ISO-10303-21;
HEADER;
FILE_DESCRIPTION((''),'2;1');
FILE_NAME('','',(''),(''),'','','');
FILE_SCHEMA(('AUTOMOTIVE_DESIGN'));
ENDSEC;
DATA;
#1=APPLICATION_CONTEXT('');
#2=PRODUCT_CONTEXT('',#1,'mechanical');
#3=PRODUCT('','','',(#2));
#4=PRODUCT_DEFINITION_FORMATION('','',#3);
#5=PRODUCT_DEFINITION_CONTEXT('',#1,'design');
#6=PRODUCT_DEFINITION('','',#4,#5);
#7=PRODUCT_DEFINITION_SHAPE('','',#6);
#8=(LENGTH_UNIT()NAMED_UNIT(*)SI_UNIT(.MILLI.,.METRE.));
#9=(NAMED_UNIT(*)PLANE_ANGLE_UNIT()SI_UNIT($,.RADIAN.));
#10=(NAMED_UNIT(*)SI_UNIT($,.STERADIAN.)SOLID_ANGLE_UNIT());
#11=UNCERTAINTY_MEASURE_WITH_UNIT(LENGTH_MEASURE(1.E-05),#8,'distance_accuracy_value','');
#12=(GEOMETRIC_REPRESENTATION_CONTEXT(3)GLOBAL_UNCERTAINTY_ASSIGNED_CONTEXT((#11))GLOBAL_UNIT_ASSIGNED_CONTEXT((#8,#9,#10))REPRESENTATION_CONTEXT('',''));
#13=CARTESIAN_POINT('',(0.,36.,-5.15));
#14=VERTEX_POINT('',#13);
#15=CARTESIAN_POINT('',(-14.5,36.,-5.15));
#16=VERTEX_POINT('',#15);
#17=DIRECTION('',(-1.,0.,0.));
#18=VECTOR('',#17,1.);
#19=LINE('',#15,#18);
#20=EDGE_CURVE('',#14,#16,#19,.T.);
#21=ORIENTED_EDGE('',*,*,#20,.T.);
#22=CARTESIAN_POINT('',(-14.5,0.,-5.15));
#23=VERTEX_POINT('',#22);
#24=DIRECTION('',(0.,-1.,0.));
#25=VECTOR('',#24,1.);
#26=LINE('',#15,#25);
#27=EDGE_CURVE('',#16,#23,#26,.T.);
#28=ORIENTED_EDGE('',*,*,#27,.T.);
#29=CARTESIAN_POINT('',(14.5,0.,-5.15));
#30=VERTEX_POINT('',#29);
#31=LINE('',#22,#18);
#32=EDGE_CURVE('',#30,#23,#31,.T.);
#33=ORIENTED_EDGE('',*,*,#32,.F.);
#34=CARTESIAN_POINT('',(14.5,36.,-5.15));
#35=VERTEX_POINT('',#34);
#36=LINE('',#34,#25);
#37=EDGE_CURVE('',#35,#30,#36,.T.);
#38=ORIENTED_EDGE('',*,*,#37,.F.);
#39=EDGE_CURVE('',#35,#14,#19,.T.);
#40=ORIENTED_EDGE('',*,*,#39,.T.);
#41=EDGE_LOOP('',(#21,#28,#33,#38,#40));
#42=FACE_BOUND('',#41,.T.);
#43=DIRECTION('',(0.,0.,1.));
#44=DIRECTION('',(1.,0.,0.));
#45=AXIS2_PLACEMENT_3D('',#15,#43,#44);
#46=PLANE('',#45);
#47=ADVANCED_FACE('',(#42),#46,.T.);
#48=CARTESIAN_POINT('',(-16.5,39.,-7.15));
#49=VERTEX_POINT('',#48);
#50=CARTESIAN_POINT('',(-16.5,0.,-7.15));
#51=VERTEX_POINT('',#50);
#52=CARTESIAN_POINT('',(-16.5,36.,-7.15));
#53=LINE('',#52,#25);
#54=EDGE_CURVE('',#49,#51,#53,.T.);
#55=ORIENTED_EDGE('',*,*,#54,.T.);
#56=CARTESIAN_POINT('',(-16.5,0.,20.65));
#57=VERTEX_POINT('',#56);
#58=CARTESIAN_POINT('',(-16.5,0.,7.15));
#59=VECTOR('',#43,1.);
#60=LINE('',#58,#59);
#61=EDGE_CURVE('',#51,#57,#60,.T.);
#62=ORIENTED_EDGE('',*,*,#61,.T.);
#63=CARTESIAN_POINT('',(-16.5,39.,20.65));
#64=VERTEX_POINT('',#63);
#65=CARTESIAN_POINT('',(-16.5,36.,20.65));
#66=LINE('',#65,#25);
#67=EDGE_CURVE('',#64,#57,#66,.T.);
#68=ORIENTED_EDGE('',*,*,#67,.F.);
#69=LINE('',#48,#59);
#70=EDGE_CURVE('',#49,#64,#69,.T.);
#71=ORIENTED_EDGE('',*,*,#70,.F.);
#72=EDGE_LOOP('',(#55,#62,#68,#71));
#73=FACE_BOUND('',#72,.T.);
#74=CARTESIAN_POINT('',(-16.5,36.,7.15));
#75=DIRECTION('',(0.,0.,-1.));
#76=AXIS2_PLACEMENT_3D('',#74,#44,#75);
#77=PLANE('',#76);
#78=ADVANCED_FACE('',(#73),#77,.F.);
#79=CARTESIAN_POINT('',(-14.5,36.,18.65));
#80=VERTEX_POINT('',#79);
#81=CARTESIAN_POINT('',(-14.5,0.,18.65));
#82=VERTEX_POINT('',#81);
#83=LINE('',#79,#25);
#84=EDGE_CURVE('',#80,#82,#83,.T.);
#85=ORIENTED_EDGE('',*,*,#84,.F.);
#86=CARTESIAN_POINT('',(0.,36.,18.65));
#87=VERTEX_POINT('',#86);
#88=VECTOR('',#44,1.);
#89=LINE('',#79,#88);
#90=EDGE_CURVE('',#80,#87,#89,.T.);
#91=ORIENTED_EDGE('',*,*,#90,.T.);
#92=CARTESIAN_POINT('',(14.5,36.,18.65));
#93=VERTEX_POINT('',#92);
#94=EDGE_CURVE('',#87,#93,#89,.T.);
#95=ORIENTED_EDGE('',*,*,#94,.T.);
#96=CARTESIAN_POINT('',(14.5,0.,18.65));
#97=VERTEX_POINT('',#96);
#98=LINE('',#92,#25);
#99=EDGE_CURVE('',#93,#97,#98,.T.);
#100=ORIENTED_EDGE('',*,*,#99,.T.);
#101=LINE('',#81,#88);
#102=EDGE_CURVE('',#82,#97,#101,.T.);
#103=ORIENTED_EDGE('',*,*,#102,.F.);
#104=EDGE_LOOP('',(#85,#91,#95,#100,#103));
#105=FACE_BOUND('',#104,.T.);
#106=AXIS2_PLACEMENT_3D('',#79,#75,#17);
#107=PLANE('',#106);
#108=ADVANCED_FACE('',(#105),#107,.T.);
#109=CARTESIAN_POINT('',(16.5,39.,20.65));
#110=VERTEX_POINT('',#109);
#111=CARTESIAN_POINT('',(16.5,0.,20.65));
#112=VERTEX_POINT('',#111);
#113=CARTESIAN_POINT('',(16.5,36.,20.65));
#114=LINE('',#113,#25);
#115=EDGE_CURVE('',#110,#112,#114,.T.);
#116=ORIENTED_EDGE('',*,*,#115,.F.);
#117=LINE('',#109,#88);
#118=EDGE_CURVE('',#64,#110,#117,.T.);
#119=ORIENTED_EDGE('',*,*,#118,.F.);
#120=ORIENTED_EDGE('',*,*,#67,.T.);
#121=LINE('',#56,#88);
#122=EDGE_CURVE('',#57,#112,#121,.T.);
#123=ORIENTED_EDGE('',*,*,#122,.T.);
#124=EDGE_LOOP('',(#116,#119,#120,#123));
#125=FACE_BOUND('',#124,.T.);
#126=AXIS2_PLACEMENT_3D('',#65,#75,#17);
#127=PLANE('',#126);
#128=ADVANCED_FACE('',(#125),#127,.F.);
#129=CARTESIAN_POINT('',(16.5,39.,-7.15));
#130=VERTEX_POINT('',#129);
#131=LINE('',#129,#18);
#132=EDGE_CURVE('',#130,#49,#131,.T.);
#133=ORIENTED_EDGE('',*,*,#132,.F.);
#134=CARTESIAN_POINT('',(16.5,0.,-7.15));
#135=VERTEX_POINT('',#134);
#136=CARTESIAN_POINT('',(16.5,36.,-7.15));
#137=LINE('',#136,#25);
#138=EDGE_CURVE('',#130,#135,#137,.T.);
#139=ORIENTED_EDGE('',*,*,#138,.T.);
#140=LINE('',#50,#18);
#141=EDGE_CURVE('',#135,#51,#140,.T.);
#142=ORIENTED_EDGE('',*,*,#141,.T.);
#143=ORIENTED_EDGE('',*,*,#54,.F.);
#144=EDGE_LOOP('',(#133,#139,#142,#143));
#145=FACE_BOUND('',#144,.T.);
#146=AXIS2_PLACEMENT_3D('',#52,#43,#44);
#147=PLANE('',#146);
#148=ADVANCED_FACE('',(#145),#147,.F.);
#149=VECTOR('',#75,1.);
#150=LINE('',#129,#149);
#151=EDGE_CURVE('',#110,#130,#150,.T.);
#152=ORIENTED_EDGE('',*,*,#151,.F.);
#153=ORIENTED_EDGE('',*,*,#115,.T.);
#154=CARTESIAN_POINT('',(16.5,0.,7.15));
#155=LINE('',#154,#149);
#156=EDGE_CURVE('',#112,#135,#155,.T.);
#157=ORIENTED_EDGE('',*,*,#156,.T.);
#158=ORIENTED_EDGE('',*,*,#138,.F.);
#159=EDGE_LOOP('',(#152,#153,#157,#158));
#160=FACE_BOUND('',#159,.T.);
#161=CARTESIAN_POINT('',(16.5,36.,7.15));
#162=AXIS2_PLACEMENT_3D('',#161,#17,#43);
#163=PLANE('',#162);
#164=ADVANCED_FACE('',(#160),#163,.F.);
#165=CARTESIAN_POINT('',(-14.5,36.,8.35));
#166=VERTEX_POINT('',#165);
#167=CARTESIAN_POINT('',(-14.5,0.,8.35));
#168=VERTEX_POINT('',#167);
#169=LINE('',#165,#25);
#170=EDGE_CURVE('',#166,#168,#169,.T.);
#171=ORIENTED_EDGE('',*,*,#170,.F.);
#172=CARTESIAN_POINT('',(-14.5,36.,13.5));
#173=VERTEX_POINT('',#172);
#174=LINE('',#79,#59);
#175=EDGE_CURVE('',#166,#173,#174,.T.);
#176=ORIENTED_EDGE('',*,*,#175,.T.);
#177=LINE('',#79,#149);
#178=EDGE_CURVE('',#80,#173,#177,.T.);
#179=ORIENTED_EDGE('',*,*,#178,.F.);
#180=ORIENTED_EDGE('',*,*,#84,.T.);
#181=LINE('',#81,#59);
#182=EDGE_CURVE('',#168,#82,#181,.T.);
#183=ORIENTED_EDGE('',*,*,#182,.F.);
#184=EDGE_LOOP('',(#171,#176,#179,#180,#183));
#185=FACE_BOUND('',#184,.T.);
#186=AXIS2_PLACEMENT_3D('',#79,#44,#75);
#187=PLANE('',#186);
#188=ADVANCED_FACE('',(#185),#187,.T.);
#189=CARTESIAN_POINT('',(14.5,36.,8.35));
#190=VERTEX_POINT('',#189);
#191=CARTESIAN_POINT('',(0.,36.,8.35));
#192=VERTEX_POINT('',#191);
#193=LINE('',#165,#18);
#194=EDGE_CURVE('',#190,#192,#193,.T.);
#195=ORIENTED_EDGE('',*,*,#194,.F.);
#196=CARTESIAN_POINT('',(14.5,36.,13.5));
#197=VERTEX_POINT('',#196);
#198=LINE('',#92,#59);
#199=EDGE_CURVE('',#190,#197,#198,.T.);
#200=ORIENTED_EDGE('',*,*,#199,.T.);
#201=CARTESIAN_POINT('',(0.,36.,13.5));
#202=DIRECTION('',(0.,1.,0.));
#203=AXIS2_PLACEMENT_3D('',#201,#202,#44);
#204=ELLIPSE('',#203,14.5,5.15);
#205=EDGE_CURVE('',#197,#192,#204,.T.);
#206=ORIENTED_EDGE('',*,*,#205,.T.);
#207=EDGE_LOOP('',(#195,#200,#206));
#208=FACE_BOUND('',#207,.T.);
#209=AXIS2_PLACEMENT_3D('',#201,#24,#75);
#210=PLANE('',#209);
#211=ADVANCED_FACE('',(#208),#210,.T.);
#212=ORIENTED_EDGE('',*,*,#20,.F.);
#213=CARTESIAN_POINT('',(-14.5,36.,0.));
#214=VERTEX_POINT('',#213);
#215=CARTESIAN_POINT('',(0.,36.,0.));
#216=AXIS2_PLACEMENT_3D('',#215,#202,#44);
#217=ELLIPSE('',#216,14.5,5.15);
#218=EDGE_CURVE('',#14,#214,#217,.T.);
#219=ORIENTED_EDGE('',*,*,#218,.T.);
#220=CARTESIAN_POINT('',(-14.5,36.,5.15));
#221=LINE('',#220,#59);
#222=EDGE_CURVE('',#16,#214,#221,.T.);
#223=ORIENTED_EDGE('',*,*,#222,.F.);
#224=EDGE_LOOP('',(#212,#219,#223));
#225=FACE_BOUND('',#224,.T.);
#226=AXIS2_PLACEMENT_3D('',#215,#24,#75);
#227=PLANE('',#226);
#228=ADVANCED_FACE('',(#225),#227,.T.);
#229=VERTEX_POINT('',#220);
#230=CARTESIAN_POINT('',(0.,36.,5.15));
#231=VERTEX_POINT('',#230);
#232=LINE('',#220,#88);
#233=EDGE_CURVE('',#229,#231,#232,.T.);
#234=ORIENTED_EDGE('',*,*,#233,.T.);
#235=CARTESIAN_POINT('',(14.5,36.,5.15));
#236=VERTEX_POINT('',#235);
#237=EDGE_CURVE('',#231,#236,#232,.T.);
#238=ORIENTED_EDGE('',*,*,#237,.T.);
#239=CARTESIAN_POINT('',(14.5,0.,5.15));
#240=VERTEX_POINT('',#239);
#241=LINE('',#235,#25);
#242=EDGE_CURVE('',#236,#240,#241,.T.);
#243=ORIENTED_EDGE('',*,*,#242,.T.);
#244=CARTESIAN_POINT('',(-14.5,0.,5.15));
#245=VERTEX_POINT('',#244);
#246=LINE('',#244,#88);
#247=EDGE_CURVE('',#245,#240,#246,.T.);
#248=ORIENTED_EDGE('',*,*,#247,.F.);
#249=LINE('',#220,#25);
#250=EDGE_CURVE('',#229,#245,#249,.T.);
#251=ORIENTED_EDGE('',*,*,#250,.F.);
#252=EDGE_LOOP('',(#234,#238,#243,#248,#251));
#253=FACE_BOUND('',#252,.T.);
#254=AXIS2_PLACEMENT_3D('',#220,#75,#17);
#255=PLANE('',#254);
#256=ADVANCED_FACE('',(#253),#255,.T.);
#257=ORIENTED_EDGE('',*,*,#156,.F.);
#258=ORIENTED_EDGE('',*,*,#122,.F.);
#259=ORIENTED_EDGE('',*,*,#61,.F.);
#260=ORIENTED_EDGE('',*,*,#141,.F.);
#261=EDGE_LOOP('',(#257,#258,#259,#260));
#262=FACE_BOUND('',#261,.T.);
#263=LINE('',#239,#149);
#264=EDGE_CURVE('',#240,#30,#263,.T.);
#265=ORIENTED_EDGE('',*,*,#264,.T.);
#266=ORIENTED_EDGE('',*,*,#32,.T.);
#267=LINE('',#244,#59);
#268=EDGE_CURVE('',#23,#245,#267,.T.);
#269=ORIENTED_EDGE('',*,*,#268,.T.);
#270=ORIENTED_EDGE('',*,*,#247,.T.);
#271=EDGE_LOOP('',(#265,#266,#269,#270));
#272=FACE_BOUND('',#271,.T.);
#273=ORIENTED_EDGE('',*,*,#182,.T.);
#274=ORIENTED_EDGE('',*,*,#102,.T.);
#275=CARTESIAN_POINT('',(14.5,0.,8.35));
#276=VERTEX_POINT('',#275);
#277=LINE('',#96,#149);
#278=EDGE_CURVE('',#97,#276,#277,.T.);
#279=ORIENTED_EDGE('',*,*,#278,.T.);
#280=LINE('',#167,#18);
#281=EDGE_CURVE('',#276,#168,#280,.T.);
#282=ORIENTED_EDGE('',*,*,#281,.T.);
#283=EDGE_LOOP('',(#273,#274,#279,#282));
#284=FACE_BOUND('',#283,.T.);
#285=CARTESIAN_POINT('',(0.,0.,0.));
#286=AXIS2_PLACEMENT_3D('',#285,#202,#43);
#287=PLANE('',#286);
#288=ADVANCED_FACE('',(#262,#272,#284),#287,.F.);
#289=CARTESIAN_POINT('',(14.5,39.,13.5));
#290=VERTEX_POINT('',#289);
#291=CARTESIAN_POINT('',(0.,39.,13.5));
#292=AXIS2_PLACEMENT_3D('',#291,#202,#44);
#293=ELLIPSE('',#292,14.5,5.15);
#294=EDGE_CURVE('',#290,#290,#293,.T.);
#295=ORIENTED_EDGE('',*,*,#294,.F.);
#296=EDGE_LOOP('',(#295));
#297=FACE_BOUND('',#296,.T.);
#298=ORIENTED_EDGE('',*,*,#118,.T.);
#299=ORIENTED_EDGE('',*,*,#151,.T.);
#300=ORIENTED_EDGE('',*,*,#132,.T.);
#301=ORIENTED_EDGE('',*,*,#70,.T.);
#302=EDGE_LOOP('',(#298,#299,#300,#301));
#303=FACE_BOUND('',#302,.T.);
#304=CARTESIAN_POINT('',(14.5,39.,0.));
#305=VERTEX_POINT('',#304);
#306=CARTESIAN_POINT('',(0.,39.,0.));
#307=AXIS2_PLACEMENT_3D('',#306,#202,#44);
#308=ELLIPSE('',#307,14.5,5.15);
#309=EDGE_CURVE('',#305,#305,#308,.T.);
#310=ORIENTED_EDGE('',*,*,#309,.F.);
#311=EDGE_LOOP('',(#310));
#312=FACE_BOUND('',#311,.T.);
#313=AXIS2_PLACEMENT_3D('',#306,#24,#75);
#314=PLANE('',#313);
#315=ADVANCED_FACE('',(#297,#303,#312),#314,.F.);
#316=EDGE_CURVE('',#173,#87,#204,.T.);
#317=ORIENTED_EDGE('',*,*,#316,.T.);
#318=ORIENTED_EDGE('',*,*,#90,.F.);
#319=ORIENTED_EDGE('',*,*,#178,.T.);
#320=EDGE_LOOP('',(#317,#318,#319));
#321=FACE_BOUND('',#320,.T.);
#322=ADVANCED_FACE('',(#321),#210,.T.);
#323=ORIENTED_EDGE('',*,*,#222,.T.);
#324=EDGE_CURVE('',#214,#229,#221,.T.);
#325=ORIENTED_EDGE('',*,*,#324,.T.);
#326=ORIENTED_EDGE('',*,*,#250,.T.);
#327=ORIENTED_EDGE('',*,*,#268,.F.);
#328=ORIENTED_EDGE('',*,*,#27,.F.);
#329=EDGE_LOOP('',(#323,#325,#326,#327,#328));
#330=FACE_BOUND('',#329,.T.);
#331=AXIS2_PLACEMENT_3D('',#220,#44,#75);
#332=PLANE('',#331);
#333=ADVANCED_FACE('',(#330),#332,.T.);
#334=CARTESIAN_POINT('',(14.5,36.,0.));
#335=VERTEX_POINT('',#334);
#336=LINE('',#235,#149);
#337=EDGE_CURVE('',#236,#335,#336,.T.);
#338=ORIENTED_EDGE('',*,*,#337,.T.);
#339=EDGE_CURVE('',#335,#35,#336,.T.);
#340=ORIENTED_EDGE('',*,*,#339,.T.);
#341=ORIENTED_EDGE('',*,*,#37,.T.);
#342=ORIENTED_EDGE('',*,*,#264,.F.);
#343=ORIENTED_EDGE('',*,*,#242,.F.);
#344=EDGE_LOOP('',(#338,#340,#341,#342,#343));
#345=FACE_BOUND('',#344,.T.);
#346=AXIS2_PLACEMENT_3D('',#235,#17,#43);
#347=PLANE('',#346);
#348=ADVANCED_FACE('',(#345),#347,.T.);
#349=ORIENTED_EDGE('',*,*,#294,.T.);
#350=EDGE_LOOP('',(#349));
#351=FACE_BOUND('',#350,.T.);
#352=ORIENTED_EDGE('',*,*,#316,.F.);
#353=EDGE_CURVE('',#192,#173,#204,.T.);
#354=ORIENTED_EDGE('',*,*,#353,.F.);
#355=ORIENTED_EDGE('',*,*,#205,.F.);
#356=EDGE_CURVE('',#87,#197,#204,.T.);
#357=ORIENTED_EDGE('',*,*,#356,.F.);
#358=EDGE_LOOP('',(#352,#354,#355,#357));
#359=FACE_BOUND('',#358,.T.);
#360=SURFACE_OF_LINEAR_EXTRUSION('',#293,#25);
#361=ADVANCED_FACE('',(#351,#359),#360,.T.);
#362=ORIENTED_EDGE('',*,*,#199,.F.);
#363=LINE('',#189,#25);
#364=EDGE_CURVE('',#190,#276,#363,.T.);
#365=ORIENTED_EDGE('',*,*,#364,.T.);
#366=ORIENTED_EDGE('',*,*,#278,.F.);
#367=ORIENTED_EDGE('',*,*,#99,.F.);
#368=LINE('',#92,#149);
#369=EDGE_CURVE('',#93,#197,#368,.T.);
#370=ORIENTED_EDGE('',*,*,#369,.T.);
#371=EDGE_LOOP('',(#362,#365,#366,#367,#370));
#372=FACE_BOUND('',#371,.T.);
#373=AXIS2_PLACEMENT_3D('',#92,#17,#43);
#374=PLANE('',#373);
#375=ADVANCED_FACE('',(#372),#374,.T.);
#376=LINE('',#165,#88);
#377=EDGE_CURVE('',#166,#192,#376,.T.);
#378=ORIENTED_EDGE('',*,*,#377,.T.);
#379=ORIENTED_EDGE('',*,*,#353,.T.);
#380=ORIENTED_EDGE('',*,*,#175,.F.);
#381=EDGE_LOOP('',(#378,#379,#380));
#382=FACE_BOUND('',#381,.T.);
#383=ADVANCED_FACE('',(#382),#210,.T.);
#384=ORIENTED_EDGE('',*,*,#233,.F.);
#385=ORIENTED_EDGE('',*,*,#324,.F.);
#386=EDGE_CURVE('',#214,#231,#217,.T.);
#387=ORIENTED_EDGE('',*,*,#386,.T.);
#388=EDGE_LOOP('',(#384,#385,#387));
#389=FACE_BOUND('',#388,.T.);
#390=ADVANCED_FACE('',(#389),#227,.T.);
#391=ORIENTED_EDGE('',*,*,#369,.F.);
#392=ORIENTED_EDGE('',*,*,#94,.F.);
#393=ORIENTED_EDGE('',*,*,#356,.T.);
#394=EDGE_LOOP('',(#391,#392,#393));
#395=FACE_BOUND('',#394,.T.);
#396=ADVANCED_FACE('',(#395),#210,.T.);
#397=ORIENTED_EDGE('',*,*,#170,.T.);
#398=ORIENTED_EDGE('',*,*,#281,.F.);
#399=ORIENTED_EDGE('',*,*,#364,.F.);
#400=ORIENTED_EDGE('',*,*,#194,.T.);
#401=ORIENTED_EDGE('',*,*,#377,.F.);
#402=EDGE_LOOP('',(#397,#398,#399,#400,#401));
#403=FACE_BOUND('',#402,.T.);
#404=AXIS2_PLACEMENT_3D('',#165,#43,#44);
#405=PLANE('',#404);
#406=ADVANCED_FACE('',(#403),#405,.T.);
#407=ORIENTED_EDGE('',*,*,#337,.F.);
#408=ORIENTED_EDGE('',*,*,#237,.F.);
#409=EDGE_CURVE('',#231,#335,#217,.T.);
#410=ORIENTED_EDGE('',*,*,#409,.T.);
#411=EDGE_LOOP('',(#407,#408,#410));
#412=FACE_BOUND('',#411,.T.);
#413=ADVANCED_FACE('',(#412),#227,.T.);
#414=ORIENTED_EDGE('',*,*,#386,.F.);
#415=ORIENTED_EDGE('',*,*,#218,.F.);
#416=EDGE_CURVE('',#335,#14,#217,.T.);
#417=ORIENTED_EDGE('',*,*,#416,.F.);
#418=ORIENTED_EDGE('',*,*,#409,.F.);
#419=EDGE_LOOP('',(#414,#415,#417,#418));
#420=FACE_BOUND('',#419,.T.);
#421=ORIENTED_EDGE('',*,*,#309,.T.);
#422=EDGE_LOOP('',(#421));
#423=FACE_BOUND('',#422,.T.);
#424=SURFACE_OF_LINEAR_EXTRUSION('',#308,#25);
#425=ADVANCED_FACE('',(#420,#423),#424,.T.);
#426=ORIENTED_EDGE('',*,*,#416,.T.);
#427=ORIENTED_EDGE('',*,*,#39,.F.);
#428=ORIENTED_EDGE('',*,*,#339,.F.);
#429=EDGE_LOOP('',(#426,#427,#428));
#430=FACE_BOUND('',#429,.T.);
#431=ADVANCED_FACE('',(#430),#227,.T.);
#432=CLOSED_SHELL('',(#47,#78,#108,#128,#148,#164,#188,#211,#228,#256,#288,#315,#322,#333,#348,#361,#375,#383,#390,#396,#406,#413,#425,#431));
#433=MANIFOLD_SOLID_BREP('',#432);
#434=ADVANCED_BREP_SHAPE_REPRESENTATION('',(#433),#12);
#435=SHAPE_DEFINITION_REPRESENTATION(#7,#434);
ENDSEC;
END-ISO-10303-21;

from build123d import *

# Parameters (mm, degrees)
SKETCH_1_W             = 33
SKETCH_1_H             = 14.3
SKETCH_1_W_2           = 29
SKETCH_1_H_2           = 10.3
EXTRUDE_2_DEPTH        = 36
SKETCH_2_W             = 33
SKETCH_2_H             = 14.3
SKETCH_2_RX            = 14.5
SKETCH_2_RY            = 5.15
EXTRUDE_3_DEPTH        = 3
PATTERN_LINEAR_1_COUNT = 2
PATTERN_LINEAR_1_PITCH = 13.5


with BuildPart() as part:
    # 草图1 → 凸台-拉伸2 (new body)
    with BuildSketch(Plane(origin=(0, 0, 0), x_dir=(1, 0, 0), z_dir=(0, 1, 0))):
        Rectangle(SKETCH_1_W, SKETCH_1_H)
        Rectangle(SKETCH_1_W_2, SKETCH_1_H_2, mode=Mode.SUBTRACT)
    extrude_2 = extrude(amount=EXTRUDE_2_DEPTH)

    # 草图2 → 凸台-拉伸3 (add)
    with BuildSketch(Plane(origin=(0, 36, 0), x_dir=(1, 0, 0), z_dir=(0, 1, 0))):
        Rectangle(SKETCH_2_W, SKETCH_2_H)
        with Locations(Location((0, 0), (0, 0, 0))):
            Ellipse(SKETCH_2_RX, SKETCH_2_RY, mode=Mode.SUBTRACT)
    extrude_3 = extrude(amount=EXTRUDE_3_DEPTH)

    # 阵列(线性)1: 凸台-拉伸2, 凸台-拉伸3 ×2
    with Locations(*[(0, 0, i * PATTERN_LINEAR_1_PITCH) for i in range(1, PATTERN_LINEAR_1_COUNT)]):
        add(extrude_2)
        add(extrude_3)


solid = part.part
